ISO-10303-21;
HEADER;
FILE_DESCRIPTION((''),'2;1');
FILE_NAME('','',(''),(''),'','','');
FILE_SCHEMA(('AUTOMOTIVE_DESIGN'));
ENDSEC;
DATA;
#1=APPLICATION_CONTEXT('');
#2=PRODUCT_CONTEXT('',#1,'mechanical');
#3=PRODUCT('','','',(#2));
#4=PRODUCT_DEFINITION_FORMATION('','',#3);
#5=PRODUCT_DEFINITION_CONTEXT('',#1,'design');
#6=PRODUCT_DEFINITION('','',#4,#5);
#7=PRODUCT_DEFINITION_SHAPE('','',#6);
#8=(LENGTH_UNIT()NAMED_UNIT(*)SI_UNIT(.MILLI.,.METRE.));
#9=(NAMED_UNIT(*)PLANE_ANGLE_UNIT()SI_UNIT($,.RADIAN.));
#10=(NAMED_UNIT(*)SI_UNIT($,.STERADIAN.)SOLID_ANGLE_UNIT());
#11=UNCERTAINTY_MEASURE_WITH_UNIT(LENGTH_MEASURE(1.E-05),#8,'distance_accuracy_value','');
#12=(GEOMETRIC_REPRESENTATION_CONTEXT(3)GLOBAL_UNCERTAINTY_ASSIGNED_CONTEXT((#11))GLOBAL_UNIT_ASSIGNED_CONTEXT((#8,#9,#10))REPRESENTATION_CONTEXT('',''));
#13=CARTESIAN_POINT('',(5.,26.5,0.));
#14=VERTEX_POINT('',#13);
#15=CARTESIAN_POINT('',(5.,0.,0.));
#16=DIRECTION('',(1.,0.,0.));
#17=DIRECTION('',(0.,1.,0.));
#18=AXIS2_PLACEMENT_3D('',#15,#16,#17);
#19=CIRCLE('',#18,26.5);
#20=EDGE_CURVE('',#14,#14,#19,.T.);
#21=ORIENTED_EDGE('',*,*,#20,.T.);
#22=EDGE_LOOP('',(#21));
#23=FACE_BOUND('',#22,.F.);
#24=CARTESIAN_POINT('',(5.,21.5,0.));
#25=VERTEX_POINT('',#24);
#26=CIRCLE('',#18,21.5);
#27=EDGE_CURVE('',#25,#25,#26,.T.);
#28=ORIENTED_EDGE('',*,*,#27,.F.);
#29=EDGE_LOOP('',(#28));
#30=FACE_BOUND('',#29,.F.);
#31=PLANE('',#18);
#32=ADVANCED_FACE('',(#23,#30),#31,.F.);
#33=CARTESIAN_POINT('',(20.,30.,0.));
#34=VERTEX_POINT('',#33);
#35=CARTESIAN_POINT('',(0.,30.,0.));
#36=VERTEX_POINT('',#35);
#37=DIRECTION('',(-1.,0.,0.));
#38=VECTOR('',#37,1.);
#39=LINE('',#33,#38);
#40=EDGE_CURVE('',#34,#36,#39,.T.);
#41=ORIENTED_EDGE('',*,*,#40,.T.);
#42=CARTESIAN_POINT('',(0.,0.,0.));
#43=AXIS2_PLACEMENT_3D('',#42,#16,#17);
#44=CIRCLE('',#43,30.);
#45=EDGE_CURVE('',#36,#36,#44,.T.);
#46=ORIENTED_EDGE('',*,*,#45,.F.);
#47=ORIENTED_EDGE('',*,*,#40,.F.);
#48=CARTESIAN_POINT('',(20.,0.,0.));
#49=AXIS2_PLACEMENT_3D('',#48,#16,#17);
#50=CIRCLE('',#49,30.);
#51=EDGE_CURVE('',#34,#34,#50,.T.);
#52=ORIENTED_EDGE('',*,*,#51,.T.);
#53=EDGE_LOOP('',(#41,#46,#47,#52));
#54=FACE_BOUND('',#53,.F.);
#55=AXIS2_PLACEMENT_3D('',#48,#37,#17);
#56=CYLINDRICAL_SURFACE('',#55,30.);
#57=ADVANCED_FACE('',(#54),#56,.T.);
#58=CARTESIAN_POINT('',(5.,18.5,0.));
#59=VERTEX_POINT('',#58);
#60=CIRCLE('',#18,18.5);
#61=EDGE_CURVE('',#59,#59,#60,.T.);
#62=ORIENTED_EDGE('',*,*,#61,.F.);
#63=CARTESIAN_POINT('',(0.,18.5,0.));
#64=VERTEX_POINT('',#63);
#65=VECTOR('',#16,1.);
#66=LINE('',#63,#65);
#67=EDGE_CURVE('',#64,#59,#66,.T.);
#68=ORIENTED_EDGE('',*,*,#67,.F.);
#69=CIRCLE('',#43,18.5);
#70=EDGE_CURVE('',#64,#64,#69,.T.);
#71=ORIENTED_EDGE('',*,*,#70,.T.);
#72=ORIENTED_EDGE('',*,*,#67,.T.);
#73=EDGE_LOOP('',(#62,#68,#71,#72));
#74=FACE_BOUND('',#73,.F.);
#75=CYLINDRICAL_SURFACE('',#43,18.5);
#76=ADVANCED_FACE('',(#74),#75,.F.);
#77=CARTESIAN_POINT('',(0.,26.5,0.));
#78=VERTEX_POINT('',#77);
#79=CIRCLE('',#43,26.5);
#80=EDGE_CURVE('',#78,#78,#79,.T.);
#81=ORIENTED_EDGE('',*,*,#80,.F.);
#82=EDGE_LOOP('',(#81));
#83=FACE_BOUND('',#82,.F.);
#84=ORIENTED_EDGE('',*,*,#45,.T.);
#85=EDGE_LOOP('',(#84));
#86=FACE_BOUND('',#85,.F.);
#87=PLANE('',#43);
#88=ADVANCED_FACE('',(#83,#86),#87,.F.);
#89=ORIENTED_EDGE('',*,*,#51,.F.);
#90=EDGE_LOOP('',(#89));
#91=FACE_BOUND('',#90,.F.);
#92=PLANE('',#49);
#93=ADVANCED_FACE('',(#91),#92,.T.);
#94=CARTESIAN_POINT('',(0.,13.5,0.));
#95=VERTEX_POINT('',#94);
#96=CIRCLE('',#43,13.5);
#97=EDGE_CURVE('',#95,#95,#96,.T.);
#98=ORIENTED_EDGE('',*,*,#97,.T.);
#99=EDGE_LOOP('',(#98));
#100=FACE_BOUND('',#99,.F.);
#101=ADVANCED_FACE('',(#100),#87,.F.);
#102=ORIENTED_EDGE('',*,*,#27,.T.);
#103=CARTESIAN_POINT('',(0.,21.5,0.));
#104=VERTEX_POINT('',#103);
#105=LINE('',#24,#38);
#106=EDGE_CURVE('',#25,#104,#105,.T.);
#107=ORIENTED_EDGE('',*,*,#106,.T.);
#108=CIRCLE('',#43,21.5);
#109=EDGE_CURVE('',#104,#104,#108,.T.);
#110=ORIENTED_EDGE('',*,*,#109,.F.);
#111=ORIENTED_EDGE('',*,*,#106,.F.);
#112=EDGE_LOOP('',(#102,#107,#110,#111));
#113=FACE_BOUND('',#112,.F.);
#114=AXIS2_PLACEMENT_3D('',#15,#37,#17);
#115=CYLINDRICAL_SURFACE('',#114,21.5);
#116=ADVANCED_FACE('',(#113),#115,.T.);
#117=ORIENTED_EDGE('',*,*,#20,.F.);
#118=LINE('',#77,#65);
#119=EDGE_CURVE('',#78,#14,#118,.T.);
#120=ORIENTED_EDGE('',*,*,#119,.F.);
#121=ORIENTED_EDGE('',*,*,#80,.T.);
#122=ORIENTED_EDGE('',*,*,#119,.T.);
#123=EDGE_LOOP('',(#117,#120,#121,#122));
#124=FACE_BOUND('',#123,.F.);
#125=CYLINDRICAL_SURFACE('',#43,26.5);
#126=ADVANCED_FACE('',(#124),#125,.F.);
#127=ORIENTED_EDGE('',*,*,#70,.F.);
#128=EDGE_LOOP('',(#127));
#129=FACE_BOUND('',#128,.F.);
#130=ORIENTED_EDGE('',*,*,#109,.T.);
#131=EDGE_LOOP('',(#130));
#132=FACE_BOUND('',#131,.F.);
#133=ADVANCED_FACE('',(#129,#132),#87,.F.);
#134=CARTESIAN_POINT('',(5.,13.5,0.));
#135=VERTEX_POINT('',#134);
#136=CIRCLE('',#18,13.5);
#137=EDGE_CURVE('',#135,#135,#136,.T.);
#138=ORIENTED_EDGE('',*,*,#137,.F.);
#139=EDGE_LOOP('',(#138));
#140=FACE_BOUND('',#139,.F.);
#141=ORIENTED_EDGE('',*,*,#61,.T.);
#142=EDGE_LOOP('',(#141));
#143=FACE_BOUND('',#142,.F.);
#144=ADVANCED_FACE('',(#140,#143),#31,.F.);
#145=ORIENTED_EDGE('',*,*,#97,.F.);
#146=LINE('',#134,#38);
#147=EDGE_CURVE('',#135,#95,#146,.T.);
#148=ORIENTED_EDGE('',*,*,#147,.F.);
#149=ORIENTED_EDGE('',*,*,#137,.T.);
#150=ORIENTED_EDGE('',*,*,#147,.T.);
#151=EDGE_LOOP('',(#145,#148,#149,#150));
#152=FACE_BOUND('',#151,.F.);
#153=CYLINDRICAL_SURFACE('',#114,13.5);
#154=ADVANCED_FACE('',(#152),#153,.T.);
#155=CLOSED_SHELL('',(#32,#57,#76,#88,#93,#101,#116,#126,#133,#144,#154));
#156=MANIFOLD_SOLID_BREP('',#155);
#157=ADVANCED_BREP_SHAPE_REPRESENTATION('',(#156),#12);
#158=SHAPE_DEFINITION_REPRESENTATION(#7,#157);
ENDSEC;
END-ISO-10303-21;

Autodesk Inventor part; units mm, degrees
ref_plane "YZ Plane" through (0, 0, 0) normal (1, 0, 0) x (0, 1, 0)
ref_plane "XZ Plane" through (0, 0, 0) normal (0, 1, 0) x (-1, 0, 0)
ref_plane "XY Plane" through (0, 0, 0) normal (0, 0, 1) x (1, 0, 0)
sketch "Эскиз1" plane through (0, 0, 0) normal (0, 0, 1) x (1, 0, 0)
  line L0 (0, 0) -> (20, 0)
  line L1 (20, 0) -> (20, 30)
  line L2 (20, 30) -> (0, 30)
  line L3 (0, 30) -> (0, 0)
  dimension "d0" = 20
  dimension "d1" = 30
revolve "Вращение1" add sketch "Эскиз1" angle 360 about axis through (0, 0, 0) along (1, 0, 0)
sketch "Эскиз3" plane through (0, 0, 0) normal (0, 0, 1) x (1, 0, 0)
  line L0 (0, -30) -> (0, 30) construction
  line L1 (0, 26.5) -> (5, 26.5)
  line L2 (5, 26.5) -> (5, 21.5)
  line L3 (5, 21.5) -> (0, 21.5)
  line L4 (0, 21.5) -> (0, 26.5)
  line L5 (0, 18.5) -> (5, 18.5)
  line L6 (5, 18.5) -> (5, 13.5)
  line L7 (5, 13.5) -> (0, 13.5)
  line L8 (0, 13.5) -> (0, 18.5)
  line L9 (0, 0) -> (20, 0)
  line L10 (20, -30) -> (20, 30) projected
  dimension "d9" = 5
  dimension "d10" = 5
  dimension "d11" = 3
  dimension "d12" = 13.5
revolve "Вращение2" cut sketch "Эскиз3" angle 360 about axis through (0, 0, 0) along (1, 0, 0)
properties part number "711115"
